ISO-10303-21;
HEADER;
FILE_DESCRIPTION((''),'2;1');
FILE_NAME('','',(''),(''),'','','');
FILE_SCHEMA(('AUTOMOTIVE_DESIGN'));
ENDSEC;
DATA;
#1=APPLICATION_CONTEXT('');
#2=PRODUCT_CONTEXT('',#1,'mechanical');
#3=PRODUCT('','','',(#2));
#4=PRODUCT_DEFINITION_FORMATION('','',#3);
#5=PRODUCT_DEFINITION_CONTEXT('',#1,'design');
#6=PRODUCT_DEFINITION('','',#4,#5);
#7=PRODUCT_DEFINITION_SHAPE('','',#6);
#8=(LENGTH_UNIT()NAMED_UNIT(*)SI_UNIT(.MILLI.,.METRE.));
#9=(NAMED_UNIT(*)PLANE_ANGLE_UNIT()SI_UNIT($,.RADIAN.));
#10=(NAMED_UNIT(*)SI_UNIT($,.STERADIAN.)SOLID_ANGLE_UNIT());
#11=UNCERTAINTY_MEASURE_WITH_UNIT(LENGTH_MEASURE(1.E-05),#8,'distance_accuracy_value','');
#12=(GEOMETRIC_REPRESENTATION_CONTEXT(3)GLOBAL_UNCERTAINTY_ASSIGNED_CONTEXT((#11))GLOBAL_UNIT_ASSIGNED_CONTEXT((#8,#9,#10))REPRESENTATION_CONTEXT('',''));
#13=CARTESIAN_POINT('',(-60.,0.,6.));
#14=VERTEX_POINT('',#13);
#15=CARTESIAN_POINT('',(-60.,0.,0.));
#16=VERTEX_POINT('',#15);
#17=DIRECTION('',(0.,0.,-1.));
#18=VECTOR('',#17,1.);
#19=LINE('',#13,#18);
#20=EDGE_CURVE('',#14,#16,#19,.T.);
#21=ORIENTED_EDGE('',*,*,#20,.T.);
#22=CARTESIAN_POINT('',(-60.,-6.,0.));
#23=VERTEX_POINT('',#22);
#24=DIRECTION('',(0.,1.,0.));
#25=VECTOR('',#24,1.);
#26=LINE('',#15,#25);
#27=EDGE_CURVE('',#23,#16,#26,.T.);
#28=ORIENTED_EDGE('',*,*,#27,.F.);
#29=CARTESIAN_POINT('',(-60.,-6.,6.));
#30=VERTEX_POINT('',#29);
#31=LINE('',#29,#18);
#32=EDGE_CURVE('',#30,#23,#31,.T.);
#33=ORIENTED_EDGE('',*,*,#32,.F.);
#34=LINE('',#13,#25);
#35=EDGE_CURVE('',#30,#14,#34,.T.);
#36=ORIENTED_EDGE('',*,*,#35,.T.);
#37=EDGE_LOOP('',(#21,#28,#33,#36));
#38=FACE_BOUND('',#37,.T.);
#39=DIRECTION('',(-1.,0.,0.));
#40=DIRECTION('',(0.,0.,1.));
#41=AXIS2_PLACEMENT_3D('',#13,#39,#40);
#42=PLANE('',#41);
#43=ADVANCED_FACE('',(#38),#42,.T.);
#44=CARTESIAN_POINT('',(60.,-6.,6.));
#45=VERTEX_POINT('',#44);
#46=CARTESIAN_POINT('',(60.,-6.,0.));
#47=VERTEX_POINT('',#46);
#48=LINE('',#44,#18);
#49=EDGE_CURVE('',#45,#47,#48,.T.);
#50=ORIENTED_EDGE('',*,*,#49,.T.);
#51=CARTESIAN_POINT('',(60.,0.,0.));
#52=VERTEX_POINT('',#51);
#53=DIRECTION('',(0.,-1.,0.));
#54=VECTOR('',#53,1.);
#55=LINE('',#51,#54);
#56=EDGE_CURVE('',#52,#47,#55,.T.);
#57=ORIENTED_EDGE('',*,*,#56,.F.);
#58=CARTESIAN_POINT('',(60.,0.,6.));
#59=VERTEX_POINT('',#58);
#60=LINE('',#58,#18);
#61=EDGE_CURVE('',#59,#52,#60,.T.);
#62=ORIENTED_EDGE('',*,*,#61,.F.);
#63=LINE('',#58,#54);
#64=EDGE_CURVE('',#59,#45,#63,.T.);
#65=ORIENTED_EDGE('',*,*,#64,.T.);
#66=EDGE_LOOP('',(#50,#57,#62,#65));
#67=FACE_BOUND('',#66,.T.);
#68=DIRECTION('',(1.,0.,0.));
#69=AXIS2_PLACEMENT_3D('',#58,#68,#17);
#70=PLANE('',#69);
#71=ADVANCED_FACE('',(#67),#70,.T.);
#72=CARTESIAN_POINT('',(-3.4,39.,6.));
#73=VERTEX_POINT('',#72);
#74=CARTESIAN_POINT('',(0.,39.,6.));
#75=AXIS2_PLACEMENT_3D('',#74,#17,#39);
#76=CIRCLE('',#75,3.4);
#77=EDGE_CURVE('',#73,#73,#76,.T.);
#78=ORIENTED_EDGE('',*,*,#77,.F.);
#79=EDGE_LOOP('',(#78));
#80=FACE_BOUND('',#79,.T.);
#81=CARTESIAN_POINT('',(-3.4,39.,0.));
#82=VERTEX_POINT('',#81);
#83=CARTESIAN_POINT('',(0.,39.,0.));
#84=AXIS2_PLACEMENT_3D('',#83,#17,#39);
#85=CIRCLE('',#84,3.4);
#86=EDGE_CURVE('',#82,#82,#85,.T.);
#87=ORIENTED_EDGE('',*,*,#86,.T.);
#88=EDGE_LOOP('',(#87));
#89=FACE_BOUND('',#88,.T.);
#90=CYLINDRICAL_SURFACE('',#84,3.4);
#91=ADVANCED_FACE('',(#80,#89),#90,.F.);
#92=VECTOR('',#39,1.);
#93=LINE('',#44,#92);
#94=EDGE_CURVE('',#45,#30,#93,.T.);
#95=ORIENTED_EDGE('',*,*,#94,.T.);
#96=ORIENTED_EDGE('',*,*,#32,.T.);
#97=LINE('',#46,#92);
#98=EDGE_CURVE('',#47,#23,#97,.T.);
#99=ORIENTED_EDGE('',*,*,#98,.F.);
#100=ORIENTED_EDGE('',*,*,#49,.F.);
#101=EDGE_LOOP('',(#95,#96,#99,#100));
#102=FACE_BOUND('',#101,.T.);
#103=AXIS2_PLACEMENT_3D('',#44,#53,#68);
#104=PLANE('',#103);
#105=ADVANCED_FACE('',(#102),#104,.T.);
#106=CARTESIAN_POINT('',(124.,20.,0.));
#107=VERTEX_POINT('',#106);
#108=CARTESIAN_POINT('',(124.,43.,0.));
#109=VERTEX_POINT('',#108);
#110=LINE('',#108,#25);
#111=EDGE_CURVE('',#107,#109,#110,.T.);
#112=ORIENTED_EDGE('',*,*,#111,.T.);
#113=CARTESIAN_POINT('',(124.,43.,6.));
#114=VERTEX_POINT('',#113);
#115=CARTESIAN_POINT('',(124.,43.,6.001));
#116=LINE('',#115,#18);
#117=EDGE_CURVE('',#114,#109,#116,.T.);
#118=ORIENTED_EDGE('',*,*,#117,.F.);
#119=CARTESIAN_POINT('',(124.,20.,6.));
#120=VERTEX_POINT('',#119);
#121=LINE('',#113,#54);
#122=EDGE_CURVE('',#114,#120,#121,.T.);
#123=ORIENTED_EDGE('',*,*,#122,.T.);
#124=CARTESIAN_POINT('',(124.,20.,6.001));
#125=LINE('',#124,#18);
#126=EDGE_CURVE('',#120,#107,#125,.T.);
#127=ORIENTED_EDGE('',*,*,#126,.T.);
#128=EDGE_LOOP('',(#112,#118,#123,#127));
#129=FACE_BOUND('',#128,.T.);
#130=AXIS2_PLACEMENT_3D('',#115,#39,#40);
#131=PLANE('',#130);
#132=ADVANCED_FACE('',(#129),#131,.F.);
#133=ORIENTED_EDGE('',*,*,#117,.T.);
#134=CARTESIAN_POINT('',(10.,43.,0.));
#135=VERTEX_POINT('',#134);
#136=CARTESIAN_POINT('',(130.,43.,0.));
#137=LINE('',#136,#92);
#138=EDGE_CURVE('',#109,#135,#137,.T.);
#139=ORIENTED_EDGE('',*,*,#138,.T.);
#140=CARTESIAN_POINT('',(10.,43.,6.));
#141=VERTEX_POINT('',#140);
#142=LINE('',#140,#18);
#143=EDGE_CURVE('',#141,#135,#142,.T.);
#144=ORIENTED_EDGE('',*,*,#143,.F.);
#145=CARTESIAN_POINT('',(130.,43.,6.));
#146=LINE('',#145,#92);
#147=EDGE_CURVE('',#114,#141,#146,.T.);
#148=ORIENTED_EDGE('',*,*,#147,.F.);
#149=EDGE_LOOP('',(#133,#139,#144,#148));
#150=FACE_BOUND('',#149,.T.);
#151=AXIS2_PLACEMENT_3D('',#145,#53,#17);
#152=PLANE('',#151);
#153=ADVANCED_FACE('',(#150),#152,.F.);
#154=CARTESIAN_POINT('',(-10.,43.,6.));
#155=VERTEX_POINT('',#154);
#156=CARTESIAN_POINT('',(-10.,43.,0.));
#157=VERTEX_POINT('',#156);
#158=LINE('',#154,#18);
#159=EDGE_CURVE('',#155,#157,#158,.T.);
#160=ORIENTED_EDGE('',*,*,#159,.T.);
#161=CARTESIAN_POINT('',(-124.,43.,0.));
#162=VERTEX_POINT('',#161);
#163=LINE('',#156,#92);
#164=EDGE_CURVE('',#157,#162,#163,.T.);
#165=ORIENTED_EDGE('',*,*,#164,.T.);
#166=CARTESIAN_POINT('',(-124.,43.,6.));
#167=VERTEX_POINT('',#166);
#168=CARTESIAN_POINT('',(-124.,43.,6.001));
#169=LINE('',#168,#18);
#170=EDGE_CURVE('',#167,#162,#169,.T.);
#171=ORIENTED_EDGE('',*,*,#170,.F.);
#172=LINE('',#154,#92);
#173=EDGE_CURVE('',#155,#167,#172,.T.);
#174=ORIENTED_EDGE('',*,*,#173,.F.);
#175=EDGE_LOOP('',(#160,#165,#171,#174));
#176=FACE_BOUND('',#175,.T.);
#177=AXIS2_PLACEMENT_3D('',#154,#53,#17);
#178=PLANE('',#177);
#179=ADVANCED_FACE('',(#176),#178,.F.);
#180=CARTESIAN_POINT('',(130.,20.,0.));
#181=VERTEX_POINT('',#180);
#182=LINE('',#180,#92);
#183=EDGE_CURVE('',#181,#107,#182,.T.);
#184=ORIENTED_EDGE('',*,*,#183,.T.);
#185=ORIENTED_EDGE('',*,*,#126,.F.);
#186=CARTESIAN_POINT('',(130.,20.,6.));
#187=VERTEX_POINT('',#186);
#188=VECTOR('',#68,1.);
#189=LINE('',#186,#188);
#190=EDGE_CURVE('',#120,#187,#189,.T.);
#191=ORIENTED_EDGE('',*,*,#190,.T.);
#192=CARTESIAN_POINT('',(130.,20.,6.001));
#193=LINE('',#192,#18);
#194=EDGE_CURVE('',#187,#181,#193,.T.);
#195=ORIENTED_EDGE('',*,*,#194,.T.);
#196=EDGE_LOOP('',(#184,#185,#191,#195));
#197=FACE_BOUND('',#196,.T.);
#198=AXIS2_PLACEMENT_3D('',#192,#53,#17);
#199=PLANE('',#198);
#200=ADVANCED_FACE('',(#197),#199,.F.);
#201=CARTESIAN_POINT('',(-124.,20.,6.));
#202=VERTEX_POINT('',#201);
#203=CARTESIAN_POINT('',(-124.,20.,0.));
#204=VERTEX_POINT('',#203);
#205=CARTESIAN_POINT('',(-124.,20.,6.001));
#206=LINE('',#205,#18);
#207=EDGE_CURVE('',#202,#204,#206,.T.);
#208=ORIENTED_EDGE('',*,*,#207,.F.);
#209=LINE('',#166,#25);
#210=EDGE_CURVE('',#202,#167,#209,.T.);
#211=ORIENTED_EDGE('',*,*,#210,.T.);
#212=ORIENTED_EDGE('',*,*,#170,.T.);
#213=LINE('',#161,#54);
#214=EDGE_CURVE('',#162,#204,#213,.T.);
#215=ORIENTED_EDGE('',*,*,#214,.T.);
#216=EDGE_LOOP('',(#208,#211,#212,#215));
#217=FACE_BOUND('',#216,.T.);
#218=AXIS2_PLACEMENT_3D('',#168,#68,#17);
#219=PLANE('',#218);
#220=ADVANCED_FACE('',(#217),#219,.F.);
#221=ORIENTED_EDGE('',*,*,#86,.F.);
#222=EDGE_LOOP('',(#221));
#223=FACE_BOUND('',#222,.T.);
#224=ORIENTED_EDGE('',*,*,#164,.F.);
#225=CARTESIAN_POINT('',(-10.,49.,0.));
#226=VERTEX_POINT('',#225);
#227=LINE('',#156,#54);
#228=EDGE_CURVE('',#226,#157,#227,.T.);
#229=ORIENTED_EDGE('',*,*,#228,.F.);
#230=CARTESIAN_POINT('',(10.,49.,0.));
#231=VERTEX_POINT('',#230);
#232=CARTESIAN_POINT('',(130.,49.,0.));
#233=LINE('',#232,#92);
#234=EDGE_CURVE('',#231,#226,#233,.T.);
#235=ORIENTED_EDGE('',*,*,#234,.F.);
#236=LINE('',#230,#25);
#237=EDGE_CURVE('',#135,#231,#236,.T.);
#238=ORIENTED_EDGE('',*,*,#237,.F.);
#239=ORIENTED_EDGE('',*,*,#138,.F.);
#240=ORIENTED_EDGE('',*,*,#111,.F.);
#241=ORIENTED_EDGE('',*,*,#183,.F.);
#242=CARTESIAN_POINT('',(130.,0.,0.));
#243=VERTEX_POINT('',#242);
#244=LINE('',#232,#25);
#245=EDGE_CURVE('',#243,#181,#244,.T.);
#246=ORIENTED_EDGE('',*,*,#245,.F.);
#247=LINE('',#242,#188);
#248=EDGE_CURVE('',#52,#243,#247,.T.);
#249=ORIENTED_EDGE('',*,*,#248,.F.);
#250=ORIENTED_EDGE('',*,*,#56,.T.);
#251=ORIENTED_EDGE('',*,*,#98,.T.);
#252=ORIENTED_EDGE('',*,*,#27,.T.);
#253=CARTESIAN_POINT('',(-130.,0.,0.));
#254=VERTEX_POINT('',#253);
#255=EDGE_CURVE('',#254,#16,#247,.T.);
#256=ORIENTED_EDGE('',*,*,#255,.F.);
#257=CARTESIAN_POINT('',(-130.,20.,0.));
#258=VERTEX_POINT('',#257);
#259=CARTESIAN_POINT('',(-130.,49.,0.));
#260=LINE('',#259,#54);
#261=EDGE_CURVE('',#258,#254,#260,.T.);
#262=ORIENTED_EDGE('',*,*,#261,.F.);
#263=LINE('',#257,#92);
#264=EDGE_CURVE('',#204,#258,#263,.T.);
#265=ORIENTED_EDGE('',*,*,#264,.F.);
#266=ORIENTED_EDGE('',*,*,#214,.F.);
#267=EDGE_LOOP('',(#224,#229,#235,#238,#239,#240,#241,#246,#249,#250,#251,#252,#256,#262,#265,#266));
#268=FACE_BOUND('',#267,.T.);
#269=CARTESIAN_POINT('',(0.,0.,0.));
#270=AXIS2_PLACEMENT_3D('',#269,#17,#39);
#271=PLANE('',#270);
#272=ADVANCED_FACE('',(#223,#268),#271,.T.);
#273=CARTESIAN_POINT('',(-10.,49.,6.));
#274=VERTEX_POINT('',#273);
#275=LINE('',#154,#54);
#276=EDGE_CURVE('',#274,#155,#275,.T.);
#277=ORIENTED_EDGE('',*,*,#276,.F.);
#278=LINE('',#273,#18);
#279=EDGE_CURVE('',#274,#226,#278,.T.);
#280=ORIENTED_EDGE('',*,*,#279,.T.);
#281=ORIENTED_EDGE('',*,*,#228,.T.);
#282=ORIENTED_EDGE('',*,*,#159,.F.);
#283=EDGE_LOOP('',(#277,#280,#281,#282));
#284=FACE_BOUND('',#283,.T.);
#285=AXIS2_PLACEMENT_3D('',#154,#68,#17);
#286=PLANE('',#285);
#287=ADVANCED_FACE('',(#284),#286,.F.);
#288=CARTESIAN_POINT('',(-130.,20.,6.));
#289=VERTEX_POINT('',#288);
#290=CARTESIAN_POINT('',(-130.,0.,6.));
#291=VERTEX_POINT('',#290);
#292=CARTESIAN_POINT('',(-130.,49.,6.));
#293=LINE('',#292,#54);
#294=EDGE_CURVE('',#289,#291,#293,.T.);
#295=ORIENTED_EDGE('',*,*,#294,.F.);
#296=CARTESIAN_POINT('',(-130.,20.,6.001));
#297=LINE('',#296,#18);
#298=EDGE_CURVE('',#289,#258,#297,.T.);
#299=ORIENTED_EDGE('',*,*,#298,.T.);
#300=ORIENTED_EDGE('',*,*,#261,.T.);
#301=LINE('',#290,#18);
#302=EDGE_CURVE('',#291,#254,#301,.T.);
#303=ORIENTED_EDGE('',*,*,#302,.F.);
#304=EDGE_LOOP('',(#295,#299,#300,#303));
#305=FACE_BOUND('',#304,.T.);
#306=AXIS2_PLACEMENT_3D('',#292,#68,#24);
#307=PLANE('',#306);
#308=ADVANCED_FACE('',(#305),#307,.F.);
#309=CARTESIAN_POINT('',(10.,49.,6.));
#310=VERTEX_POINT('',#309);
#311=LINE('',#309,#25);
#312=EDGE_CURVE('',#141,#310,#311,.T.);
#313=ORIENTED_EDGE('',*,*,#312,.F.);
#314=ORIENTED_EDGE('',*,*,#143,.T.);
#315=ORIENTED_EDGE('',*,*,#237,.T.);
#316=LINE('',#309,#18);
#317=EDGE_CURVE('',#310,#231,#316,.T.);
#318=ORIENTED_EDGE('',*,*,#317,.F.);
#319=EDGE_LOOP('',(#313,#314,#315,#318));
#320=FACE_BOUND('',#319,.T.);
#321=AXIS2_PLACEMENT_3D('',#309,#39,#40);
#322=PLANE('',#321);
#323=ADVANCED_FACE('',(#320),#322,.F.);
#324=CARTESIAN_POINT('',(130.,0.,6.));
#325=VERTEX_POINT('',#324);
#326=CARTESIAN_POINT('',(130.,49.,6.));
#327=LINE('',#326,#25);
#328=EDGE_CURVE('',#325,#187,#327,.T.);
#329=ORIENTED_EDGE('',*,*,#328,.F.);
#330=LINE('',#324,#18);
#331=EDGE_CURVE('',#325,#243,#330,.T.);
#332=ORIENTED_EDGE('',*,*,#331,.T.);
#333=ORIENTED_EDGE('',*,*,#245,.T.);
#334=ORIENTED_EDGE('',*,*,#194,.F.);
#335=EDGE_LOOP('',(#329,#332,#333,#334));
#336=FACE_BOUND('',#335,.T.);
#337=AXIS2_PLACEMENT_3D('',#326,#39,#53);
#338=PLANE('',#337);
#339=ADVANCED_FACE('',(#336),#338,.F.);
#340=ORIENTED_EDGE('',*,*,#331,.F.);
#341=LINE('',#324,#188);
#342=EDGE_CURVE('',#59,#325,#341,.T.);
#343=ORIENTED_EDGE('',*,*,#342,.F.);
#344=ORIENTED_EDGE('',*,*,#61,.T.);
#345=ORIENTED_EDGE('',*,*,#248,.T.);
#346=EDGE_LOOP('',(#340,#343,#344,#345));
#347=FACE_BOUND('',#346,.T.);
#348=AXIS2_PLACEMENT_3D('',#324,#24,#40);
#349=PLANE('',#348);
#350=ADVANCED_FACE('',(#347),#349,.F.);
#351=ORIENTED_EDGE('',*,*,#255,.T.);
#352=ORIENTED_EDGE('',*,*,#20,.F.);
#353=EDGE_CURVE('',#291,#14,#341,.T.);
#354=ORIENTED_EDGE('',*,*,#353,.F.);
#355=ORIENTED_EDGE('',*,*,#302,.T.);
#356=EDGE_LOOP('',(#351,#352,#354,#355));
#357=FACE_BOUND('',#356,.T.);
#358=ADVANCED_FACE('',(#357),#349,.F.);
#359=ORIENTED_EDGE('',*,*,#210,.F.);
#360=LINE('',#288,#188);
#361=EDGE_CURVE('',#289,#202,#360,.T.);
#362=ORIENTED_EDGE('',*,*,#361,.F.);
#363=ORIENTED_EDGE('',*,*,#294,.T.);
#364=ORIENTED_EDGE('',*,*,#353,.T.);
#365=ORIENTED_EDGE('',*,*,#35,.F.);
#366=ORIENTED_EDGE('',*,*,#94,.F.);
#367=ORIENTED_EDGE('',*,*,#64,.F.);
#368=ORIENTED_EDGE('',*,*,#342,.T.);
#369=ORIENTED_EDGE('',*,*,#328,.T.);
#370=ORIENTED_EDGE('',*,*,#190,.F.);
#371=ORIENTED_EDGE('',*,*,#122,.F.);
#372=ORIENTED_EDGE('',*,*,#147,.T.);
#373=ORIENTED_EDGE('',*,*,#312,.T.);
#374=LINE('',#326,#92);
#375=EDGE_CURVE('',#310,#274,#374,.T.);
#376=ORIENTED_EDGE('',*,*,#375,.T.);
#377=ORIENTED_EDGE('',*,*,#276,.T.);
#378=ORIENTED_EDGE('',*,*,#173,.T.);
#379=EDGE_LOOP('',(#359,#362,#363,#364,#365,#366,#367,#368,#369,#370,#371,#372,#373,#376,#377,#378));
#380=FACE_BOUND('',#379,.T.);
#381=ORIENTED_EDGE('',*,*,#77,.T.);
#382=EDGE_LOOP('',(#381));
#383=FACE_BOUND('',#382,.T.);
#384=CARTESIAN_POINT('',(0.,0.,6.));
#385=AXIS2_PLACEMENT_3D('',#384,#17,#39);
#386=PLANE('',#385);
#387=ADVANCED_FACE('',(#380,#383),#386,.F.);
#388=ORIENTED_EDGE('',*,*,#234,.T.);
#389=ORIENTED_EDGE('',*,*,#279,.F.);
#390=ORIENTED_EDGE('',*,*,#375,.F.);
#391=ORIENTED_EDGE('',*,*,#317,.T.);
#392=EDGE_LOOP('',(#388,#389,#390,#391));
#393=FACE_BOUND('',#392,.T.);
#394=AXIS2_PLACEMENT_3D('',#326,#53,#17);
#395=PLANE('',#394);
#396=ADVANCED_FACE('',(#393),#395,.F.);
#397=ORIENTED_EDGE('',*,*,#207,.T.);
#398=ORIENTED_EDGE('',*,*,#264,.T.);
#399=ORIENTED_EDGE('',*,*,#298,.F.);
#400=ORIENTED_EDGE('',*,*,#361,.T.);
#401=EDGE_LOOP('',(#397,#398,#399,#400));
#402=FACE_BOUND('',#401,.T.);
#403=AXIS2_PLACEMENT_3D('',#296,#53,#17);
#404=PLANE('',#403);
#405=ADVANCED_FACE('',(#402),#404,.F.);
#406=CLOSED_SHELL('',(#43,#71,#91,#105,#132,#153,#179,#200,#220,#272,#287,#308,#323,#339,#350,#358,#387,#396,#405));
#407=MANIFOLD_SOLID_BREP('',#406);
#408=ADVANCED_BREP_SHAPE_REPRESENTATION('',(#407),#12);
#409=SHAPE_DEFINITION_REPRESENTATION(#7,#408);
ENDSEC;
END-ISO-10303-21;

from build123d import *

# Parameters (mm, degrees)
SKETCH1_W              = 260
SKETCH1_H              = 49
BOSS_EXTRUDE1_DEPTH    = 6
SKETCH2_W              = 120
SKETCH2_H              = 6
CUT_EXTRUDE1_DEPTH     = 6
M8X1_25_TAPPED_HOLE1_D = 6.8
CUT_EXTRUDE2_REACH     = 141.058
SKETCH5_W              = 6
SKETCH5_H              = 23
SKETCH6_W              = 120
SKETCH6_H              = 6
BOSS_EXTRUDE2_DEPTH    = 6


with BuildPart() as part:
    # Sketch1 → Boss-Extrude1 (new body)
    with BuildSketch(Plane.XY):
        with Locations((0, 24.5)):
            Rectangle(SKETCH1_W, SKETCH1_H)
    extrude(amount=BOSS_EXTRUDE1_DEPTH)

    # Sketch2 → Cut-Extrude1 (cut)
    with BuildSketch(Plane(origin=(0, 0, 0), x_dir=(-1, 0, 0), z_dir=(0, 0, -1))):
        with Locations((-70, 46)):
            Rectangle(SKETCH2_W, SKETCH2_H)
        with Locations((70, 46)):
            Rectangle(SKETCH2_W, SKETCH2_H)
    extrude(amount=-CUT_EXTRUDE1_DEPTH, mode=Mode.SUBTRACT)

    # M8x1.25 Tapped Hole1 (through all)
    with Locations(Plane(origin=(0, 0, 0), x_dir=(-1, 0, 0), z_dir=(0, 0, -1))):
        with Locations((0, 39)):
            Hole(M8X1_25_TAPPED_HOLE1_D / 2)

    # Sketch5 → Cut-Extrude2 (cut, up to next)
    with BuildSketch(Plane(origin=(0, 0, 0), x_dir=(-1, 0, 0), z_dir=(0, 0, -1)), mode=Mode.PRIVATE) as cut_extrude2_sk1:
        with Locations((-127, 31.5)):
            Rectangle(SKETCH5_W, SKETCH5_H)
    cut_extrude2_tool1 = extrude(cut_extrude2_sk1.sketch, amount=-CUT_EXTRUDE2_REACH, mode=Mode.PRIVATE) & part.part
    # Sketch5 → Cut-Extrude2 (cut, up to next)
    with BuildSketch(Plane(origin=(0, 0, 0), x_dir=(-1, 0, 0), z_dir=(0, 0, -1)), mode=Mode.PRIVATE) as cut_extrude2_sk2:
        with Locations((127, 31.5)):
            Rectangle(SKETCH5_W, SKETCH5_H)
    cut_extrude2_tool2 = extrude(cut_extrude2_sk2.sketch, amount=-CUT_EXTRUDE2_REACH, mode=Mode.PRIVATE) & part.part
    add(cut_extrude2_tool1.solids().sort_by_distance((127, 31.5, 0))[0], mode=Mode.SUBTRACT)
    add(cut_extrude2_tool2.solids().sort_by_distance((-127, 31.5, 0))[0], mode=Mode.SUBTRACT)

    # Sketch6 → Boss-Extrude2 (add)
    with BuildSketch(Plane(origin=(0, 0, 0), x_dir=(-1, 0, 0), z_dir=(0, 0, -1))):
        with Locations((0, -3)):
            Rectangle(SKETCH6_W, SKETCH6_H)
    extrude(amount=-BOSS_EXTRUDE2_DEPTH)


solid = part.part
